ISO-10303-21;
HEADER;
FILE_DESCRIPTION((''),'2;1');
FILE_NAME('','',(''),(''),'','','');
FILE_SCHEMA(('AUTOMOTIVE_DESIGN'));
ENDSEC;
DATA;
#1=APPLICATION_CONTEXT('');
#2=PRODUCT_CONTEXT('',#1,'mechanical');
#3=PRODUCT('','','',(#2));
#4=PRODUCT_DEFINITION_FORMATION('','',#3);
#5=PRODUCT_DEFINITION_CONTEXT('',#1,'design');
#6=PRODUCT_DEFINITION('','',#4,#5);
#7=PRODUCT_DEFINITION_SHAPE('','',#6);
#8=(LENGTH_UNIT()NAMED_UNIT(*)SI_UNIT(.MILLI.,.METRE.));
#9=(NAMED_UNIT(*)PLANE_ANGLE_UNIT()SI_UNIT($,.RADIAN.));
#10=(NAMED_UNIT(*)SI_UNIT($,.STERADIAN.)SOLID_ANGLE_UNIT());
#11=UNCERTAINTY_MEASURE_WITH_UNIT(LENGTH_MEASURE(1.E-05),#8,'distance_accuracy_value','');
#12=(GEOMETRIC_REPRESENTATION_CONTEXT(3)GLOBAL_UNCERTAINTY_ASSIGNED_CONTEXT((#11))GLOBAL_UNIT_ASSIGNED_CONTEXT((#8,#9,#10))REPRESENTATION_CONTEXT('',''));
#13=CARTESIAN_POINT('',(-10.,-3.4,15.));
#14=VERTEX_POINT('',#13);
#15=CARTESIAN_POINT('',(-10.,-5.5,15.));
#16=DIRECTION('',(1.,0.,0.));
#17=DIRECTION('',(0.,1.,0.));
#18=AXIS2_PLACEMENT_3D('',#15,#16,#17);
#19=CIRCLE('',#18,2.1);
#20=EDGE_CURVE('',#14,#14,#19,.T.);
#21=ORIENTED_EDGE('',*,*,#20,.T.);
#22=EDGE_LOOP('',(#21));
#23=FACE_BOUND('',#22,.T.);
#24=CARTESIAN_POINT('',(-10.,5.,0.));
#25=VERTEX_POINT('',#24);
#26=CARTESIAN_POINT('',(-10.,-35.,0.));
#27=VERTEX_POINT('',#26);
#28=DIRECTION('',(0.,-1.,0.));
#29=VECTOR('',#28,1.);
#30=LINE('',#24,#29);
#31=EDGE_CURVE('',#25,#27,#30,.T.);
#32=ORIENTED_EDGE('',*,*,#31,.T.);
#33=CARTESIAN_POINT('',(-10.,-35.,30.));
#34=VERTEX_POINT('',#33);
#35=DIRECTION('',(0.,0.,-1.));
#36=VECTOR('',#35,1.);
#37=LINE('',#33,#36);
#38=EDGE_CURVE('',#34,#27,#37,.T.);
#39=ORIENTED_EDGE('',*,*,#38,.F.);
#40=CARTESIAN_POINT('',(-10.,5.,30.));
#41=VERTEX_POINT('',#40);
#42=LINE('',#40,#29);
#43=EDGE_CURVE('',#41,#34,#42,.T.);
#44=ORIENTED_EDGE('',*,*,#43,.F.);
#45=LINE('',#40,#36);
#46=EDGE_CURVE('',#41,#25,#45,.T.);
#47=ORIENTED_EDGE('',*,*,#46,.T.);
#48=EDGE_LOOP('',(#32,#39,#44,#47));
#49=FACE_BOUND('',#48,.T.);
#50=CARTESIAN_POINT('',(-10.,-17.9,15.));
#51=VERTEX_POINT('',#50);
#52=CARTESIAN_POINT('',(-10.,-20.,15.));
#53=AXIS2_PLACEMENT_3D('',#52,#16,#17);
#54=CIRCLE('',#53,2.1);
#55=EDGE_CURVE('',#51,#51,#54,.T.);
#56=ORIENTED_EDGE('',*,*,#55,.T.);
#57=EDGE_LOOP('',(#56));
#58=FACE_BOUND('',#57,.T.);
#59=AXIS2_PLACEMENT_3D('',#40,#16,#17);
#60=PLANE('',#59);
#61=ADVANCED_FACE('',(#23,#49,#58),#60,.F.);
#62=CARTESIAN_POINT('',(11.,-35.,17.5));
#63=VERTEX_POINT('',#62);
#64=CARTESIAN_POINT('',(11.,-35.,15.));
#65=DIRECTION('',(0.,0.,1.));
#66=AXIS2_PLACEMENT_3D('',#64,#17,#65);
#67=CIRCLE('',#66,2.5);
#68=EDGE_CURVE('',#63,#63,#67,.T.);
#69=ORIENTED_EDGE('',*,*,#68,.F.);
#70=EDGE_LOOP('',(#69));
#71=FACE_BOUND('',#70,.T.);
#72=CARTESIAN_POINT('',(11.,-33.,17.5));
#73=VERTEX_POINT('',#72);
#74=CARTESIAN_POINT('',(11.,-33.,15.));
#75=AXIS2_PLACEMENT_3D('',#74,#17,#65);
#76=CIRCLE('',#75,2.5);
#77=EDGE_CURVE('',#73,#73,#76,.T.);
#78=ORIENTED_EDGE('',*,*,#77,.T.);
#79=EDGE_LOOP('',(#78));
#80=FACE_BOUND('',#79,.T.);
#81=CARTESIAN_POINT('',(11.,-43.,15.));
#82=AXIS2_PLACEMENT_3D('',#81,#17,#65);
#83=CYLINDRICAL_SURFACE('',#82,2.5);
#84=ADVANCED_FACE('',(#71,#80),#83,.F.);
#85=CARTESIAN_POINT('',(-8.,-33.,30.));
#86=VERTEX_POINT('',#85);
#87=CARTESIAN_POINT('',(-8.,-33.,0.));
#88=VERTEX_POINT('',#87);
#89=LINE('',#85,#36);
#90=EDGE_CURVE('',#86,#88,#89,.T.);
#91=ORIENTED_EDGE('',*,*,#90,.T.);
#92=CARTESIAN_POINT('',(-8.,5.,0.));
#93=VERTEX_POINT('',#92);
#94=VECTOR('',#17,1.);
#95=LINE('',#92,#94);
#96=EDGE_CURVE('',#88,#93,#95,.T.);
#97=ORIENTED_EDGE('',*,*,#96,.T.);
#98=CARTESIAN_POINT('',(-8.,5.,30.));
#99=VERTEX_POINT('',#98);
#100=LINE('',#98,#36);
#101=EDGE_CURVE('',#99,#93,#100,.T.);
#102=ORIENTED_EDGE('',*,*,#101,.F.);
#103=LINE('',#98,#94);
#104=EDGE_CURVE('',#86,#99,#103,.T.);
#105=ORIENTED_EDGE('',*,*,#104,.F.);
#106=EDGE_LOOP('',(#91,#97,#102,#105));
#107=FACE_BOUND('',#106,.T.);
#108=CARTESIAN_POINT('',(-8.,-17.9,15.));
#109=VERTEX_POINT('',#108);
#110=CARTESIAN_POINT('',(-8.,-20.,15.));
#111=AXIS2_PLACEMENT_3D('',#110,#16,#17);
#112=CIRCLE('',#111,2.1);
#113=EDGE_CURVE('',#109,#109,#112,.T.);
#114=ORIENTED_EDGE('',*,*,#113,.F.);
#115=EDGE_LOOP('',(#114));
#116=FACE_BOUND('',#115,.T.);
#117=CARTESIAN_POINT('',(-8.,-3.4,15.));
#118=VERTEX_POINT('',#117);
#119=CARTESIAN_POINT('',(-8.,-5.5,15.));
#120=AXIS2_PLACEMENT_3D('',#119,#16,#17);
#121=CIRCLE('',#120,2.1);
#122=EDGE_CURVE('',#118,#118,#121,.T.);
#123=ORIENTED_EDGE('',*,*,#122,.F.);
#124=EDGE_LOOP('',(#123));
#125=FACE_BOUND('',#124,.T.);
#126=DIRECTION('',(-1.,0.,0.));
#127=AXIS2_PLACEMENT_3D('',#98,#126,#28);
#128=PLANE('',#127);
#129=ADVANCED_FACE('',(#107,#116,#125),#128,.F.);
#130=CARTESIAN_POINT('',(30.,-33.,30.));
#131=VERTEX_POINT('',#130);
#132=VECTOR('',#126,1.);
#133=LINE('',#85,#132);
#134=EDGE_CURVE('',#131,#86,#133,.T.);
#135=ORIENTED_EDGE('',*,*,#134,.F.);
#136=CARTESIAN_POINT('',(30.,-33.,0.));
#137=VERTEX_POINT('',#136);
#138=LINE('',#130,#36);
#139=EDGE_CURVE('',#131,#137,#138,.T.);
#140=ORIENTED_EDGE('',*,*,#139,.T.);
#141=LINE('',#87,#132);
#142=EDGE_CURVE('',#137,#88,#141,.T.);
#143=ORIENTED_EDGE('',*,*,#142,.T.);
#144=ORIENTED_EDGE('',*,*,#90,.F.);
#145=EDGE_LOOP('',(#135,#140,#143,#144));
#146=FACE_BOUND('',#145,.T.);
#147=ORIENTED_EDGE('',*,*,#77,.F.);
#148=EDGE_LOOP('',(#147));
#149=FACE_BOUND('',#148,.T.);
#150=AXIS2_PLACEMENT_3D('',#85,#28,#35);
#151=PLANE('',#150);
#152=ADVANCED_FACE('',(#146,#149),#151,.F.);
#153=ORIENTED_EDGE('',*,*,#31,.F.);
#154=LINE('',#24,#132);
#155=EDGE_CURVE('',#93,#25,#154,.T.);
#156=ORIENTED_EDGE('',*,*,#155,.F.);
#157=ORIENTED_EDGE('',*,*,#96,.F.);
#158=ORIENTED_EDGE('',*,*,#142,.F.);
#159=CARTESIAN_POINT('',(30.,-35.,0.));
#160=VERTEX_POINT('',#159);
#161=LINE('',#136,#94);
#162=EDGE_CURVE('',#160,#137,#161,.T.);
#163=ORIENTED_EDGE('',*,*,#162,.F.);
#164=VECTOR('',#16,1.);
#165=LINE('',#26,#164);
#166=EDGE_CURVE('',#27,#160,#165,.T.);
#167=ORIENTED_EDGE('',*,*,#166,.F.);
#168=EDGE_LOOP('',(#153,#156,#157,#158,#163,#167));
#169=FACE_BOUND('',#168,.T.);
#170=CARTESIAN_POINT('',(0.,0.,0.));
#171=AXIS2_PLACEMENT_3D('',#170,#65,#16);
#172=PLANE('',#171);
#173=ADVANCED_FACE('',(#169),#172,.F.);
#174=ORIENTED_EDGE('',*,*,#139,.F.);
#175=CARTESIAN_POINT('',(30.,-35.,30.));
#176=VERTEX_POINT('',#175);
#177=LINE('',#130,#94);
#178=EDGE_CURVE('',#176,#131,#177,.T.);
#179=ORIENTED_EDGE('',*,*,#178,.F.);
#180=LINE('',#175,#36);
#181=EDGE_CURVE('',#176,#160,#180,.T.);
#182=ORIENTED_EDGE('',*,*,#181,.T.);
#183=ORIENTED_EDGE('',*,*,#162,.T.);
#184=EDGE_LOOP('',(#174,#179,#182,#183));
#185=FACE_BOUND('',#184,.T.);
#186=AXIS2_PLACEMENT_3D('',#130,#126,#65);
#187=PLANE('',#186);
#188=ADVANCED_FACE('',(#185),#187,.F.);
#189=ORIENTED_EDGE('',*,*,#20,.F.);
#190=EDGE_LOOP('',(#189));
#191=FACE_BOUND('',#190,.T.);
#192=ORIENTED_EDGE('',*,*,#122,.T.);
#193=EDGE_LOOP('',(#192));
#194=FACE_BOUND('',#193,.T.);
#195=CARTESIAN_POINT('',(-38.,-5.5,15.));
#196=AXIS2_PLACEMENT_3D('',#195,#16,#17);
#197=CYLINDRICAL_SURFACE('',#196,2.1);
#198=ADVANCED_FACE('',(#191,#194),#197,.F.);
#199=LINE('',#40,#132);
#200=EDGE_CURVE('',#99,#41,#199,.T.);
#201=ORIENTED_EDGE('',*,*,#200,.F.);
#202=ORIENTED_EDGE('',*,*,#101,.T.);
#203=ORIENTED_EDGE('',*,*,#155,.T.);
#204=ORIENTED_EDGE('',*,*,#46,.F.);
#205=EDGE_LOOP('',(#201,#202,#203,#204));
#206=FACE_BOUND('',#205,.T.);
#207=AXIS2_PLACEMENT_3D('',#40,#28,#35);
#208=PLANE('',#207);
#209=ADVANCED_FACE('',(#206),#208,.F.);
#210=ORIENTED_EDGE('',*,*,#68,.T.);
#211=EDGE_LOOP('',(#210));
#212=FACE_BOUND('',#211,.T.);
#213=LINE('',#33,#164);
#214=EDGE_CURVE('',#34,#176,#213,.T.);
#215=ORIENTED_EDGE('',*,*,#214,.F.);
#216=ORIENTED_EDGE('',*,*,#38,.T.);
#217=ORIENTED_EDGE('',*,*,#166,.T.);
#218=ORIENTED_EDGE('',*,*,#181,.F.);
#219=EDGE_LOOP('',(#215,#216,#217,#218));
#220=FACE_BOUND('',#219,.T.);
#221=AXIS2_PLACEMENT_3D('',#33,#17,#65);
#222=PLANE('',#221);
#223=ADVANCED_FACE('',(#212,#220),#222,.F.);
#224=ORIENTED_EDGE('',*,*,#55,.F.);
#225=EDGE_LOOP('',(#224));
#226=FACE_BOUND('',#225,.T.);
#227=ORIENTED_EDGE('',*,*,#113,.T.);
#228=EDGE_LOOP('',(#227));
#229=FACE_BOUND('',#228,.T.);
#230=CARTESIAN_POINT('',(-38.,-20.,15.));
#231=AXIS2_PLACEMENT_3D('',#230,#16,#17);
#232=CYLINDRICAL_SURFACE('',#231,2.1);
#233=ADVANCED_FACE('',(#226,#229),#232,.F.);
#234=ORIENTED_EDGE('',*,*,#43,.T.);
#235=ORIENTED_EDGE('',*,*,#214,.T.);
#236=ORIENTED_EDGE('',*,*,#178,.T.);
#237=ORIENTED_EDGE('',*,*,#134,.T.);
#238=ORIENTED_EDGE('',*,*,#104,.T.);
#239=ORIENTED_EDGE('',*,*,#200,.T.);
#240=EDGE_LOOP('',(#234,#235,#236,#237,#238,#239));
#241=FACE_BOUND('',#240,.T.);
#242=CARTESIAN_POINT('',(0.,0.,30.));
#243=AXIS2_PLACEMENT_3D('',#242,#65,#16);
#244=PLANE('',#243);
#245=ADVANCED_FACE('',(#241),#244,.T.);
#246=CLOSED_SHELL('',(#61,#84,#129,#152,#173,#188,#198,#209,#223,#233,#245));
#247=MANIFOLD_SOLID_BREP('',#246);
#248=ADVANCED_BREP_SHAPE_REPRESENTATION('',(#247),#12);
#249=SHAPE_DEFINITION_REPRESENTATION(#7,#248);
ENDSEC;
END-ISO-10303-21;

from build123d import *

# Parameters (mm, degrees)
BOSS_EXTRUDE1_DEPTH = 30
SKETCH2_R           = 2.1
CUT_EXTRUDE1_DEPTH  = 30
SKETCH3_R           = 2.5
CUT_EXTRUDE2_DEPTH  = 10


with BuildPart() as part:
    # Sketch1 → Boss-Extrude1 (new body)
    with BuildSketch(Plane.XY):
        Polygon((-8, 5), (-8, -33), (30, -33), (30, -35), (-10, -35), (-10, 5), align=None)
    extrude(amount=BOSS_EXTRUDE1_DEPTH)

    # Sketch2 → Cut-Extrude1 (cut)
    with BuildSketch(Plane(origin=(-8, 0, 0), x_dir=(0, 0, -1), z_dir=(1, 0, 0))):
        with Locations(Location((-15, -5.5, 0), (0, 0, 90))):
            Circle(SKETCH2_R)
        with Locations(Location((-15, -20, 0), (0, 0, 90))):
            Circle(SKETCH2_R)
    extrude(amount=-CUT_EXTRUDE1_DEPTH, mode=Mode.SUBTRACT)

    # Sketch3 → Cut-Extrude2 (cut)
    with BuildSketch(Plane(origin=(0, -33, 0), x_dir=(1, 0, 0), z_dir=(0, 1, 0))):
        with Locations(Location((11, -15, 0), (0, 0, 270))):
            Circle(SKETCH3_R)
    extrude(amount=-CUT_EXTRUDE2_DEPTH, mode=Mode.SUBTRACT)


solid = part.part
